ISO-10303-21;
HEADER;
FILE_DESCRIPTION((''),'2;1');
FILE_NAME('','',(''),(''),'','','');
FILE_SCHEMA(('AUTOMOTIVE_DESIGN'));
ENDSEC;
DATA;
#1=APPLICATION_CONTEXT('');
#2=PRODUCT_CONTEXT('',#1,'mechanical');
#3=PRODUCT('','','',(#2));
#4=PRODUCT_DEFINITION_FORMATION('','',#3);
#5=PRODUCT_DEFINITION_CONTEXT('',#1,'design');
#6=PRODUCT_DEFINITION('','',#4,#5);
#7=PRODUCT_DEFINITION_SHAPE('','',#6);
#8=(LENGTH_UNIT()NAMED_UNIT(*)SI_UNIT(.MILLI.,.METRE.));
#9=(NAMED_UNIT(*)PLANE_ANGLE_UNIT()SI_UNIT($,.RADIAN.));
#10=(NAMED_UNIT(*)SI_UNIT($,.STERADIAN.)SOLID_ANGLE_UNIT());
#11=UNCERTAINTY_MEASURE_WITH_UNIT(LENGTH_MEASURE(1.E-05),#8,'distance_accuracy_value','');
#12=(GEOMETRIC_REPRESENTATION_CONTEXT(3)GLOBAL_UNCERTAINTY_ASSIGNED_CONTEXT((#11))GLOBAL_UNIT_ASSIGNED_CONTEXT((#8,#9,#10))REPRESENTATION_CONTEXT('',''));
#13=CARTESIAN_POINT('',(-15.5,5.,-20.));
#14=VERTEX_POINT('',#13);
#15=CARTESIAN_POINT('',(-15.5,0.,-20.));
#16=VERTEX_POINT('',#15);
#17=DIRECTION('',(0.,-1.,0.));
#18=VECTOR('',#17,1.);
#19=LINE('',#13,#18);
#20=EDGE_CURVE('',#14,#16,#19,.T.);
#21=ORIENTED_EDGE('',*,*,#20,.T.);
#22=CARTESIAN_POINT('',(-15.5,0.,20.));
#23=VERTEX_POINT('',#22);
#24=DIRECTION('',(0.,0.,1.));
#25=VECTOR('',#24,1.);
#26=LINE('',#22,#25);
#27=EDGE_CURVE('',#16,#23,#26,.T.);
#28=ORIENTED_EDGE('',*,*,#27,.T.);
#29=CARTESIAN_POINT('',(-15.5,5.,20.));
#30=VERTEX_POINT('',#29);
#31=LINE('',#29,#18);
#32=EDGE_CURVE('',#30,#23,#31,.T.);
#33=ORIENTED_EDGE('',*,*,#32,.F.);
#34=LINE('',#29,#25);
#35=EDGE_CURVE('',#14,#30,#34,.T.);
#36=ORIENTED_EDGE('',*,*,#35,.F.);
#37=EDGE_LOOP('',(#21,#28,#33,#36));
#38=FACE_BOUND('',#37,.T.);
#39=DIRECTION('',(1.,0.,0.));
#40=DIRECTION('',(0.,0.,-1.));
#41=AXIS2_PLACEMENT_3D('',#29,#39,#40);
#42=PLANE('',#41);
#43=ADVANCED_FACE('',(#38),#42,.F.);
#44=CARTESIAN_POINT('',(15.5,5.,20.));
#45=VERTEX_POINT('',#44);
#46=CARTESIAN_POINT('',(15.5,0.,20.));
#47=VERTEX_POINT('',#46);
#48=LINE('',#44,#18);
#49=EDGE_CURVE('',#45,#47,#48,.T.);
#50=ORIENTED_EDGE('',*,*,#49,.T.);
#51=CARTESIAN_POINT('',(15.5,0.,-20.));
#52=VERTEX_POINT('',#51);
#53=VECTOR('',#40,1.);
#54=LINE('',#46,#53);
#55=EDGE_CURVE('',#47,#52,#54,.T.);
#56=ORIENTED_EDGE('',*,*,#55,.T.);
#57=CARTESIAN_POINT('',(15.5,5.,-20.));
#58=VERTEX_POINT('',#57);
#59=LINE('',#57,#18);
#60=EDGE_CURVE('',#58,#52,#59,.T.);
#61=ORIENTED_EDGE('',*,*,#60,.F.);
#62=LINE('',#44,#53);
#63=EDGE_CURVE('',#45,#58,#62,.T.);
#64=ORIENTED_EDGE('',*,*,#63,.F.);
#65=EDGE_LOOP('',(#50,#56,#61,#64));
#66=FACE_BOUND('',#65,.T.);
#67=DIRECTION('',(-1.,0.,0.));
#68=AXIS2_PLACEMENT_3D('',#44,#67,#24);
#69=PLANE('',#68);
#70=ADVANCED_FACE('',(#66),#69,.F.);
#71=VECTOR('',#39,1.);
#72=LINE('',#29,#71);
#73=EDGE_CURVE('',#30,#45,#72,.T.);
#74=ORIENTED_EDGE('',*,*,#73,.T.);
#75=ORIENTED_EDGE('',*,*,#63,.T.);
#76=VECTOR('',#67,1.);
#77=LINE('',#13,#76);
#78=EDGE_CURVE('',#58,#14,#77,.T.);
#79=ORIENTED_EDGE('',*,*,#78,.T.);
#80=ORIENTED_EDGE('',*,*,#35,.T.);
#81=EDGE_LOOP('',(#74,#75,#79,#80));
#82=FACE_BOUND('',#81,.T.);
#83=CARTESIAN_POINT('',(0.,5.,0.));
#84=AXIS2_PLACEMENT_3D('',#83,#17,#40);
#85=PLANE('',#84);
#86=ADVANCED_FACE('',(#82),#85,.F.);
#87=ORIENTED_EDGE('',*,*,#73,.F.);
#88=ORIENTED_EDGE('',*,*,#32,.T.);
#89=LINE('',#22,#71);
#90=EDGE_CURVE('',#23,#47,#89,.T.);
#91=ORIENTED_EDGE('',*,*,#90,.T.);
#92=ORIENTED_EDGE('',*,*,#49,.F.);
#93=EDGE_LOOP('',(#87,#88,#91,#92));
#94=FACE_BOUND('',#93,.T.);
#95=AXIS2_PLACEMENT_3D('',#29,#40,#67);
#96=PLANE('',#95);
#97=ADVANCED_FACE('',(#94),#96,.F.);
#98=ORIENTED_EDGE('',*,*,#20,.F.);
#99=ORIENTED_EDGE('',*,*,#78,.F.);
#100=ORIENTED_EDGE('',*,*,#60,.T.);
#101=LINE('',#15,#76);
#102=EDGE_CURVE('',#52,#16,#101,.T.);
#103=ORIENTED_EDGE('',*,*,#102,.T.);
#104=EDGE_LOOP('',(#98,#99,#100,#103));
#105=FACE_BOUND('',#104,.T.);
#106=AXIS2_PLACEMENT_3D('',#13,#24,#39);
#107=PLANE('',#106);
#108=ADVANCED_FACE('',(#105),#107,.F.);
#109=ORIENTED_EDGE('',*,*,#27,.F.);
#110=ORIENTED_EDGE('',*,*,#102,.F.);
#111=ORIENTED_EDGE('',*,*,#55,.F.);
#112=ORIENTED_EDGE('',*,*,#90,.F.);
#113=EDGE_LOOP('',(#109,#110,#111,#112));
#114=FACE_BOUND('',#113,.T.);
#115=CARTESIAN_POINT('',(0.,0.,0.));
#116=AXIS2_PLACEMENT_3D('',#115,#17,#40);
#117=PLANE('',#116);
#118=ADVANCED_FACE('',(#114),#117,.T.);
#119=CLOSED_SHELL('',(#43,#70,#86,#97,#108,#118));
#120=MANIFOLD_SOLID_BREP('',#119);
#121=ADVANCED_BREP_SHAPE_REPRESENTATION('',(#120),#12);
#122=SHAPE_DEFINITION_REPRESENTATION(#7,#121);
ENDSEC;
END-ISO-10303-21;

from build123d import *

# Parameters (mm, degrees)
CROQUIS1_W              = 31
CROQUIS1_H              = 40
SALIENTE_EXTRUIR1_DEPTH = 5


with BuildPart() as part:
    # Croquis1 → Saliente-Extruir1 (new body)
    with BuildSketch(Plane(origin=(0, 0, 0), x_dir=(1, 0, 0), z_dir=(0, 1, 0))):
        Rectangle(CROQUIS1_W, CROQUIS1_H)
    extrude(amount=SALIENTE_EXTRUIR1_DEPTH)


solid = part.part
